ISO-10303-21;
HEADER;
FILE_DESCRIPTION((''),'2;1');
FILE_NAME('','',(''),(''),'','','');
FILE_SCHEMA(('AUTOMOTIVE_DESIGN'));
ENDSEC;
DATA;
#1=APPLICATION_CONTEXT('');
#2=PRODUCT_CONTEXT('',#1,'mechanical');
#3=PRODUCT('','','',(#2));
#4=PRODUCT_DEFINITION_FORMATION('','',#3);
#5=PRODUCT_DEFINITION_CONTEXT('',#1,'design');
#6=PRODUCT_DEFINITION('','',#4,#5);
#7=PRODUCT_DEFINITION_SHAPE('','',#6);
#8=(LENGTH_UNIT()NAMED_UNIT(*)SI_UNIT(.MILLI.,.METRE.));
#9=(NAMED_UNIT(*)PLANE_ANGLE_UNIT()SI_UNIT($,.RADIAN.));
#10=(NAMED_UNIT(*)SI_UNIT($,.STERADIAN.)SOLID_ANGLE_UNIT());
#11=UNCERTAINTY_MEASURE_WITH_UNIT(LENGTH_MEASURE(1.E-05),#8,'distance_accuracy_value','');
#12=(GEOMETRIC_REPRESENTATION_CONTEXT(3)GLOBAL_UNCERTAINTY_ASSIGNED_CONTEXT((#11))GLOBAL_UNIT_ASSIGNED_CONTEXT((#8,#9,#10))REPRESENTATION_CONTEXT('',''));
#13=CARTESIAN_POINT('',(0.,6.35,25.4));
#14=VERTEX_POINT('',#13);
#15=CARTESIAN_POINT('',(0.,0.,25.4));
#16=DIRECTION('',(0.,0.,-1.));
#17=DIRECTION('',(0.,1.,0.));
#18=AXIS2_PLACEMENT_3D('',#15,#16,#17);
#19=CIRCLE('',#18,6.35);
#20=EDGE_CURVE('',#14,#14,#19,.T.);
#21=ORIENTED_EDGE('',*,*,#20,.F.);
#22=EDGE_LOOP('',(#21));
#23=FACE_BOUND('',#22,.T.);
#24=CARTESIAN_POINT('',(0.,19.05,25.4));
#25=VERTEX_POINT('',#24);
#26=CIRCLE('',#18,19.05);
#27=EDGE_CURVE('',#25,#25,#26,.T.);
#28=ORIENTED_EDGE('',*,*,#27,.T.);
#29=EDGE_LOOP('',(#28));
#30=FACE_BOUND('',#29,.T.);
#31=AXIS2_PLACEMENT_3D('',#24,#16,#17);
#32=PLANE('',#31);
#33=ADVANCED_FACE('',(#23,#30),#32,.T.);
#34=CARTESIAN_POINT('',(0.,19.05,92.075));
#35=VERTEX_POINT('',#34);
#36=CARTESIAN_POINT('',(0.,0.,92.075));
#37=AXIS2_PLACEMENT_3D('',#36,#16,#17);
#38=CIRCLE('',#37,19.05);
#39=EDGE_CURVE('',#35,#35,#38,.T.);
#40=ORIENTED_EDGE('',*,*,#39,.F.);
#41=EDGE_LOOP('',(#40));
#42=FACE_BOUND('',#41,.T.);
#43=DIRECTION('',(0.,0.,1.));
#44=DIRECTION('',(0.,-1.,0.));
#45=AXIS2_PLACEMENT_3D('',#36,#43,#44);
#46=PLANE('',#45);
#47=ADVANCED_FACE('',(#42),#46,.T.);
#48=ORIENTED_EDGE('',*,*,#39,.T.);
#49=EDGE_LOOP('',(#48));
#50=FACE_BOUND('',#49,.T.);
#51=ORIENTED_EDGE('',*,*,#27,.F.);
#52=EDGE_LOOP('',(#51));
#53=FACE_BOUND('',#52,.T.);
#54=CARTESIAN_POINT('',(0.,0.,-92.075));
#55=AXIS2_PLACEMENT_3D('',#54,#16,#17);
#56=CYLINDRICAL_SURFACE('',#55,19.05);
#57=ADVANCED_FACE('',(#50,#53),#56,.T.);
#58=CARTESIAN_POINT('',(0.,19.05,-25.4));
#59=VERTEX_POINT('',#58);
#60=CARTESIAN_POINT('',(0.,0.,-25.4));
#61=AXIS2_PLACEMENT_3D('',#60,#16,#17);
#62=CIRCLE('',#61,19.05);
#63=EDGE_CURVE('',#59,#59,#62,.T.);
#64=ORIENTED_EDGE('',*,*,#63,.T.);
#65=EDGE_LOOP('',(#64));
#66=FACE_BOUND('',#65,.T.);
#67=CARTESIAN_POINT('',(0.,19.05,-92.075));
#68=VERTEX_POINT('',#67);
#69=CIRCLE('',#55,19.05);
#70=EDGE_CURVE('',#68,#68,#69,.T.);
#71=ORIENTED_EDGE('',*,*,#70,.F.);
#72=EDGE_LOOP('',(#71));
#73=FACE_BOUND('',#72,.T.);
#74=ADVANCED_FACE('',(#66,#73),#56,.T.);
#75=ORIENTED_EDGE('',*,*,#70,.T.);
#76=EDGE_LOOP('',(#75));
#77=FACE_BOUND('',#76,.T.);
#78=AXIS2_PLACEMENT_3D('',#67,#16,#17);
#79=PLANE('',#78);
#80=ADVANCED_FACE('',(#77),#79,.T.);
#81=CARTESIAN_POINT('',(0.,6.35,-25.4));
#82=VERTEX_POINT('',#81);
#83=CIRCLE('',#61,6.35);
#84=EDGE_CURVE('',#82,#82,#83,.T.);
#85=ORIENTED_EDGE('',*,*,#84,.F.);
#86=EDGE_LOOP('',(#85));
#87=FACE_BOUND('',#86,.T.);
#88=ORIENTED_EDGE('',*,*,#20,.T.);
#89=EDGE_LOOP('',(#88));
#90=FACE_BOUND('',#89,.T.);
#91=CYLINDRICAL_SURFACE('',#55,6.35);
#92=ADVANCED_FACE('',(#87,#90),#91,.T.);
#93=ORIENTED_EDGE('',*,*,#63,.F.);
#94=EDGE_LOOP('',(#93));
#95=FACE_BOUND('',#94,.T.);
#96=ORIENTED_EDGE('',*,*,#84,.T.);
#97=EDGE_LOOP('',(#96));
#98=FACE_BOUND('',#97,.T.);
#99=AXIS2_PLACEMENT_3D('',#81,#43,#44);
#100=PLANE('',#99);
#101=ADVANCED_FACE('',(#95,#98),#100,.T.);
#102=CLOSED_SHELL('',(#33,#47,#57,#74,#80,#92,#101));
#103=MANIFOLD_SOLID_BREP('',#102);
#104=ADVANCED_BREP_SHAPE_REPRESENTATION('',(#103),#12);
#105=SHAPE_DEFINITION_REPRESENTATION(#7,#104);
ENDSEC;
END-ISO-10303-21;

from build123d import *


with BuildPart() as part:
    # Sketch1 → Revolve1 (revolve)
    with BuildSketch(Plane(origin=(0, 0, 0), x_dir=(0, 0, -1), z_dir=(1, 0, 0))):
        Polygon((92.075, 0), (-92.075, 0), (-92.075, 19.05), (-25.4, 19.05), (-25.4, 6.35), (25.4, 6.35), (25.4, 19.05), (92.075, 19.05), align=None)
    revolve(axis=Axis((0, 0, -92.075), (0, 0, 1)))


solid = part.part
